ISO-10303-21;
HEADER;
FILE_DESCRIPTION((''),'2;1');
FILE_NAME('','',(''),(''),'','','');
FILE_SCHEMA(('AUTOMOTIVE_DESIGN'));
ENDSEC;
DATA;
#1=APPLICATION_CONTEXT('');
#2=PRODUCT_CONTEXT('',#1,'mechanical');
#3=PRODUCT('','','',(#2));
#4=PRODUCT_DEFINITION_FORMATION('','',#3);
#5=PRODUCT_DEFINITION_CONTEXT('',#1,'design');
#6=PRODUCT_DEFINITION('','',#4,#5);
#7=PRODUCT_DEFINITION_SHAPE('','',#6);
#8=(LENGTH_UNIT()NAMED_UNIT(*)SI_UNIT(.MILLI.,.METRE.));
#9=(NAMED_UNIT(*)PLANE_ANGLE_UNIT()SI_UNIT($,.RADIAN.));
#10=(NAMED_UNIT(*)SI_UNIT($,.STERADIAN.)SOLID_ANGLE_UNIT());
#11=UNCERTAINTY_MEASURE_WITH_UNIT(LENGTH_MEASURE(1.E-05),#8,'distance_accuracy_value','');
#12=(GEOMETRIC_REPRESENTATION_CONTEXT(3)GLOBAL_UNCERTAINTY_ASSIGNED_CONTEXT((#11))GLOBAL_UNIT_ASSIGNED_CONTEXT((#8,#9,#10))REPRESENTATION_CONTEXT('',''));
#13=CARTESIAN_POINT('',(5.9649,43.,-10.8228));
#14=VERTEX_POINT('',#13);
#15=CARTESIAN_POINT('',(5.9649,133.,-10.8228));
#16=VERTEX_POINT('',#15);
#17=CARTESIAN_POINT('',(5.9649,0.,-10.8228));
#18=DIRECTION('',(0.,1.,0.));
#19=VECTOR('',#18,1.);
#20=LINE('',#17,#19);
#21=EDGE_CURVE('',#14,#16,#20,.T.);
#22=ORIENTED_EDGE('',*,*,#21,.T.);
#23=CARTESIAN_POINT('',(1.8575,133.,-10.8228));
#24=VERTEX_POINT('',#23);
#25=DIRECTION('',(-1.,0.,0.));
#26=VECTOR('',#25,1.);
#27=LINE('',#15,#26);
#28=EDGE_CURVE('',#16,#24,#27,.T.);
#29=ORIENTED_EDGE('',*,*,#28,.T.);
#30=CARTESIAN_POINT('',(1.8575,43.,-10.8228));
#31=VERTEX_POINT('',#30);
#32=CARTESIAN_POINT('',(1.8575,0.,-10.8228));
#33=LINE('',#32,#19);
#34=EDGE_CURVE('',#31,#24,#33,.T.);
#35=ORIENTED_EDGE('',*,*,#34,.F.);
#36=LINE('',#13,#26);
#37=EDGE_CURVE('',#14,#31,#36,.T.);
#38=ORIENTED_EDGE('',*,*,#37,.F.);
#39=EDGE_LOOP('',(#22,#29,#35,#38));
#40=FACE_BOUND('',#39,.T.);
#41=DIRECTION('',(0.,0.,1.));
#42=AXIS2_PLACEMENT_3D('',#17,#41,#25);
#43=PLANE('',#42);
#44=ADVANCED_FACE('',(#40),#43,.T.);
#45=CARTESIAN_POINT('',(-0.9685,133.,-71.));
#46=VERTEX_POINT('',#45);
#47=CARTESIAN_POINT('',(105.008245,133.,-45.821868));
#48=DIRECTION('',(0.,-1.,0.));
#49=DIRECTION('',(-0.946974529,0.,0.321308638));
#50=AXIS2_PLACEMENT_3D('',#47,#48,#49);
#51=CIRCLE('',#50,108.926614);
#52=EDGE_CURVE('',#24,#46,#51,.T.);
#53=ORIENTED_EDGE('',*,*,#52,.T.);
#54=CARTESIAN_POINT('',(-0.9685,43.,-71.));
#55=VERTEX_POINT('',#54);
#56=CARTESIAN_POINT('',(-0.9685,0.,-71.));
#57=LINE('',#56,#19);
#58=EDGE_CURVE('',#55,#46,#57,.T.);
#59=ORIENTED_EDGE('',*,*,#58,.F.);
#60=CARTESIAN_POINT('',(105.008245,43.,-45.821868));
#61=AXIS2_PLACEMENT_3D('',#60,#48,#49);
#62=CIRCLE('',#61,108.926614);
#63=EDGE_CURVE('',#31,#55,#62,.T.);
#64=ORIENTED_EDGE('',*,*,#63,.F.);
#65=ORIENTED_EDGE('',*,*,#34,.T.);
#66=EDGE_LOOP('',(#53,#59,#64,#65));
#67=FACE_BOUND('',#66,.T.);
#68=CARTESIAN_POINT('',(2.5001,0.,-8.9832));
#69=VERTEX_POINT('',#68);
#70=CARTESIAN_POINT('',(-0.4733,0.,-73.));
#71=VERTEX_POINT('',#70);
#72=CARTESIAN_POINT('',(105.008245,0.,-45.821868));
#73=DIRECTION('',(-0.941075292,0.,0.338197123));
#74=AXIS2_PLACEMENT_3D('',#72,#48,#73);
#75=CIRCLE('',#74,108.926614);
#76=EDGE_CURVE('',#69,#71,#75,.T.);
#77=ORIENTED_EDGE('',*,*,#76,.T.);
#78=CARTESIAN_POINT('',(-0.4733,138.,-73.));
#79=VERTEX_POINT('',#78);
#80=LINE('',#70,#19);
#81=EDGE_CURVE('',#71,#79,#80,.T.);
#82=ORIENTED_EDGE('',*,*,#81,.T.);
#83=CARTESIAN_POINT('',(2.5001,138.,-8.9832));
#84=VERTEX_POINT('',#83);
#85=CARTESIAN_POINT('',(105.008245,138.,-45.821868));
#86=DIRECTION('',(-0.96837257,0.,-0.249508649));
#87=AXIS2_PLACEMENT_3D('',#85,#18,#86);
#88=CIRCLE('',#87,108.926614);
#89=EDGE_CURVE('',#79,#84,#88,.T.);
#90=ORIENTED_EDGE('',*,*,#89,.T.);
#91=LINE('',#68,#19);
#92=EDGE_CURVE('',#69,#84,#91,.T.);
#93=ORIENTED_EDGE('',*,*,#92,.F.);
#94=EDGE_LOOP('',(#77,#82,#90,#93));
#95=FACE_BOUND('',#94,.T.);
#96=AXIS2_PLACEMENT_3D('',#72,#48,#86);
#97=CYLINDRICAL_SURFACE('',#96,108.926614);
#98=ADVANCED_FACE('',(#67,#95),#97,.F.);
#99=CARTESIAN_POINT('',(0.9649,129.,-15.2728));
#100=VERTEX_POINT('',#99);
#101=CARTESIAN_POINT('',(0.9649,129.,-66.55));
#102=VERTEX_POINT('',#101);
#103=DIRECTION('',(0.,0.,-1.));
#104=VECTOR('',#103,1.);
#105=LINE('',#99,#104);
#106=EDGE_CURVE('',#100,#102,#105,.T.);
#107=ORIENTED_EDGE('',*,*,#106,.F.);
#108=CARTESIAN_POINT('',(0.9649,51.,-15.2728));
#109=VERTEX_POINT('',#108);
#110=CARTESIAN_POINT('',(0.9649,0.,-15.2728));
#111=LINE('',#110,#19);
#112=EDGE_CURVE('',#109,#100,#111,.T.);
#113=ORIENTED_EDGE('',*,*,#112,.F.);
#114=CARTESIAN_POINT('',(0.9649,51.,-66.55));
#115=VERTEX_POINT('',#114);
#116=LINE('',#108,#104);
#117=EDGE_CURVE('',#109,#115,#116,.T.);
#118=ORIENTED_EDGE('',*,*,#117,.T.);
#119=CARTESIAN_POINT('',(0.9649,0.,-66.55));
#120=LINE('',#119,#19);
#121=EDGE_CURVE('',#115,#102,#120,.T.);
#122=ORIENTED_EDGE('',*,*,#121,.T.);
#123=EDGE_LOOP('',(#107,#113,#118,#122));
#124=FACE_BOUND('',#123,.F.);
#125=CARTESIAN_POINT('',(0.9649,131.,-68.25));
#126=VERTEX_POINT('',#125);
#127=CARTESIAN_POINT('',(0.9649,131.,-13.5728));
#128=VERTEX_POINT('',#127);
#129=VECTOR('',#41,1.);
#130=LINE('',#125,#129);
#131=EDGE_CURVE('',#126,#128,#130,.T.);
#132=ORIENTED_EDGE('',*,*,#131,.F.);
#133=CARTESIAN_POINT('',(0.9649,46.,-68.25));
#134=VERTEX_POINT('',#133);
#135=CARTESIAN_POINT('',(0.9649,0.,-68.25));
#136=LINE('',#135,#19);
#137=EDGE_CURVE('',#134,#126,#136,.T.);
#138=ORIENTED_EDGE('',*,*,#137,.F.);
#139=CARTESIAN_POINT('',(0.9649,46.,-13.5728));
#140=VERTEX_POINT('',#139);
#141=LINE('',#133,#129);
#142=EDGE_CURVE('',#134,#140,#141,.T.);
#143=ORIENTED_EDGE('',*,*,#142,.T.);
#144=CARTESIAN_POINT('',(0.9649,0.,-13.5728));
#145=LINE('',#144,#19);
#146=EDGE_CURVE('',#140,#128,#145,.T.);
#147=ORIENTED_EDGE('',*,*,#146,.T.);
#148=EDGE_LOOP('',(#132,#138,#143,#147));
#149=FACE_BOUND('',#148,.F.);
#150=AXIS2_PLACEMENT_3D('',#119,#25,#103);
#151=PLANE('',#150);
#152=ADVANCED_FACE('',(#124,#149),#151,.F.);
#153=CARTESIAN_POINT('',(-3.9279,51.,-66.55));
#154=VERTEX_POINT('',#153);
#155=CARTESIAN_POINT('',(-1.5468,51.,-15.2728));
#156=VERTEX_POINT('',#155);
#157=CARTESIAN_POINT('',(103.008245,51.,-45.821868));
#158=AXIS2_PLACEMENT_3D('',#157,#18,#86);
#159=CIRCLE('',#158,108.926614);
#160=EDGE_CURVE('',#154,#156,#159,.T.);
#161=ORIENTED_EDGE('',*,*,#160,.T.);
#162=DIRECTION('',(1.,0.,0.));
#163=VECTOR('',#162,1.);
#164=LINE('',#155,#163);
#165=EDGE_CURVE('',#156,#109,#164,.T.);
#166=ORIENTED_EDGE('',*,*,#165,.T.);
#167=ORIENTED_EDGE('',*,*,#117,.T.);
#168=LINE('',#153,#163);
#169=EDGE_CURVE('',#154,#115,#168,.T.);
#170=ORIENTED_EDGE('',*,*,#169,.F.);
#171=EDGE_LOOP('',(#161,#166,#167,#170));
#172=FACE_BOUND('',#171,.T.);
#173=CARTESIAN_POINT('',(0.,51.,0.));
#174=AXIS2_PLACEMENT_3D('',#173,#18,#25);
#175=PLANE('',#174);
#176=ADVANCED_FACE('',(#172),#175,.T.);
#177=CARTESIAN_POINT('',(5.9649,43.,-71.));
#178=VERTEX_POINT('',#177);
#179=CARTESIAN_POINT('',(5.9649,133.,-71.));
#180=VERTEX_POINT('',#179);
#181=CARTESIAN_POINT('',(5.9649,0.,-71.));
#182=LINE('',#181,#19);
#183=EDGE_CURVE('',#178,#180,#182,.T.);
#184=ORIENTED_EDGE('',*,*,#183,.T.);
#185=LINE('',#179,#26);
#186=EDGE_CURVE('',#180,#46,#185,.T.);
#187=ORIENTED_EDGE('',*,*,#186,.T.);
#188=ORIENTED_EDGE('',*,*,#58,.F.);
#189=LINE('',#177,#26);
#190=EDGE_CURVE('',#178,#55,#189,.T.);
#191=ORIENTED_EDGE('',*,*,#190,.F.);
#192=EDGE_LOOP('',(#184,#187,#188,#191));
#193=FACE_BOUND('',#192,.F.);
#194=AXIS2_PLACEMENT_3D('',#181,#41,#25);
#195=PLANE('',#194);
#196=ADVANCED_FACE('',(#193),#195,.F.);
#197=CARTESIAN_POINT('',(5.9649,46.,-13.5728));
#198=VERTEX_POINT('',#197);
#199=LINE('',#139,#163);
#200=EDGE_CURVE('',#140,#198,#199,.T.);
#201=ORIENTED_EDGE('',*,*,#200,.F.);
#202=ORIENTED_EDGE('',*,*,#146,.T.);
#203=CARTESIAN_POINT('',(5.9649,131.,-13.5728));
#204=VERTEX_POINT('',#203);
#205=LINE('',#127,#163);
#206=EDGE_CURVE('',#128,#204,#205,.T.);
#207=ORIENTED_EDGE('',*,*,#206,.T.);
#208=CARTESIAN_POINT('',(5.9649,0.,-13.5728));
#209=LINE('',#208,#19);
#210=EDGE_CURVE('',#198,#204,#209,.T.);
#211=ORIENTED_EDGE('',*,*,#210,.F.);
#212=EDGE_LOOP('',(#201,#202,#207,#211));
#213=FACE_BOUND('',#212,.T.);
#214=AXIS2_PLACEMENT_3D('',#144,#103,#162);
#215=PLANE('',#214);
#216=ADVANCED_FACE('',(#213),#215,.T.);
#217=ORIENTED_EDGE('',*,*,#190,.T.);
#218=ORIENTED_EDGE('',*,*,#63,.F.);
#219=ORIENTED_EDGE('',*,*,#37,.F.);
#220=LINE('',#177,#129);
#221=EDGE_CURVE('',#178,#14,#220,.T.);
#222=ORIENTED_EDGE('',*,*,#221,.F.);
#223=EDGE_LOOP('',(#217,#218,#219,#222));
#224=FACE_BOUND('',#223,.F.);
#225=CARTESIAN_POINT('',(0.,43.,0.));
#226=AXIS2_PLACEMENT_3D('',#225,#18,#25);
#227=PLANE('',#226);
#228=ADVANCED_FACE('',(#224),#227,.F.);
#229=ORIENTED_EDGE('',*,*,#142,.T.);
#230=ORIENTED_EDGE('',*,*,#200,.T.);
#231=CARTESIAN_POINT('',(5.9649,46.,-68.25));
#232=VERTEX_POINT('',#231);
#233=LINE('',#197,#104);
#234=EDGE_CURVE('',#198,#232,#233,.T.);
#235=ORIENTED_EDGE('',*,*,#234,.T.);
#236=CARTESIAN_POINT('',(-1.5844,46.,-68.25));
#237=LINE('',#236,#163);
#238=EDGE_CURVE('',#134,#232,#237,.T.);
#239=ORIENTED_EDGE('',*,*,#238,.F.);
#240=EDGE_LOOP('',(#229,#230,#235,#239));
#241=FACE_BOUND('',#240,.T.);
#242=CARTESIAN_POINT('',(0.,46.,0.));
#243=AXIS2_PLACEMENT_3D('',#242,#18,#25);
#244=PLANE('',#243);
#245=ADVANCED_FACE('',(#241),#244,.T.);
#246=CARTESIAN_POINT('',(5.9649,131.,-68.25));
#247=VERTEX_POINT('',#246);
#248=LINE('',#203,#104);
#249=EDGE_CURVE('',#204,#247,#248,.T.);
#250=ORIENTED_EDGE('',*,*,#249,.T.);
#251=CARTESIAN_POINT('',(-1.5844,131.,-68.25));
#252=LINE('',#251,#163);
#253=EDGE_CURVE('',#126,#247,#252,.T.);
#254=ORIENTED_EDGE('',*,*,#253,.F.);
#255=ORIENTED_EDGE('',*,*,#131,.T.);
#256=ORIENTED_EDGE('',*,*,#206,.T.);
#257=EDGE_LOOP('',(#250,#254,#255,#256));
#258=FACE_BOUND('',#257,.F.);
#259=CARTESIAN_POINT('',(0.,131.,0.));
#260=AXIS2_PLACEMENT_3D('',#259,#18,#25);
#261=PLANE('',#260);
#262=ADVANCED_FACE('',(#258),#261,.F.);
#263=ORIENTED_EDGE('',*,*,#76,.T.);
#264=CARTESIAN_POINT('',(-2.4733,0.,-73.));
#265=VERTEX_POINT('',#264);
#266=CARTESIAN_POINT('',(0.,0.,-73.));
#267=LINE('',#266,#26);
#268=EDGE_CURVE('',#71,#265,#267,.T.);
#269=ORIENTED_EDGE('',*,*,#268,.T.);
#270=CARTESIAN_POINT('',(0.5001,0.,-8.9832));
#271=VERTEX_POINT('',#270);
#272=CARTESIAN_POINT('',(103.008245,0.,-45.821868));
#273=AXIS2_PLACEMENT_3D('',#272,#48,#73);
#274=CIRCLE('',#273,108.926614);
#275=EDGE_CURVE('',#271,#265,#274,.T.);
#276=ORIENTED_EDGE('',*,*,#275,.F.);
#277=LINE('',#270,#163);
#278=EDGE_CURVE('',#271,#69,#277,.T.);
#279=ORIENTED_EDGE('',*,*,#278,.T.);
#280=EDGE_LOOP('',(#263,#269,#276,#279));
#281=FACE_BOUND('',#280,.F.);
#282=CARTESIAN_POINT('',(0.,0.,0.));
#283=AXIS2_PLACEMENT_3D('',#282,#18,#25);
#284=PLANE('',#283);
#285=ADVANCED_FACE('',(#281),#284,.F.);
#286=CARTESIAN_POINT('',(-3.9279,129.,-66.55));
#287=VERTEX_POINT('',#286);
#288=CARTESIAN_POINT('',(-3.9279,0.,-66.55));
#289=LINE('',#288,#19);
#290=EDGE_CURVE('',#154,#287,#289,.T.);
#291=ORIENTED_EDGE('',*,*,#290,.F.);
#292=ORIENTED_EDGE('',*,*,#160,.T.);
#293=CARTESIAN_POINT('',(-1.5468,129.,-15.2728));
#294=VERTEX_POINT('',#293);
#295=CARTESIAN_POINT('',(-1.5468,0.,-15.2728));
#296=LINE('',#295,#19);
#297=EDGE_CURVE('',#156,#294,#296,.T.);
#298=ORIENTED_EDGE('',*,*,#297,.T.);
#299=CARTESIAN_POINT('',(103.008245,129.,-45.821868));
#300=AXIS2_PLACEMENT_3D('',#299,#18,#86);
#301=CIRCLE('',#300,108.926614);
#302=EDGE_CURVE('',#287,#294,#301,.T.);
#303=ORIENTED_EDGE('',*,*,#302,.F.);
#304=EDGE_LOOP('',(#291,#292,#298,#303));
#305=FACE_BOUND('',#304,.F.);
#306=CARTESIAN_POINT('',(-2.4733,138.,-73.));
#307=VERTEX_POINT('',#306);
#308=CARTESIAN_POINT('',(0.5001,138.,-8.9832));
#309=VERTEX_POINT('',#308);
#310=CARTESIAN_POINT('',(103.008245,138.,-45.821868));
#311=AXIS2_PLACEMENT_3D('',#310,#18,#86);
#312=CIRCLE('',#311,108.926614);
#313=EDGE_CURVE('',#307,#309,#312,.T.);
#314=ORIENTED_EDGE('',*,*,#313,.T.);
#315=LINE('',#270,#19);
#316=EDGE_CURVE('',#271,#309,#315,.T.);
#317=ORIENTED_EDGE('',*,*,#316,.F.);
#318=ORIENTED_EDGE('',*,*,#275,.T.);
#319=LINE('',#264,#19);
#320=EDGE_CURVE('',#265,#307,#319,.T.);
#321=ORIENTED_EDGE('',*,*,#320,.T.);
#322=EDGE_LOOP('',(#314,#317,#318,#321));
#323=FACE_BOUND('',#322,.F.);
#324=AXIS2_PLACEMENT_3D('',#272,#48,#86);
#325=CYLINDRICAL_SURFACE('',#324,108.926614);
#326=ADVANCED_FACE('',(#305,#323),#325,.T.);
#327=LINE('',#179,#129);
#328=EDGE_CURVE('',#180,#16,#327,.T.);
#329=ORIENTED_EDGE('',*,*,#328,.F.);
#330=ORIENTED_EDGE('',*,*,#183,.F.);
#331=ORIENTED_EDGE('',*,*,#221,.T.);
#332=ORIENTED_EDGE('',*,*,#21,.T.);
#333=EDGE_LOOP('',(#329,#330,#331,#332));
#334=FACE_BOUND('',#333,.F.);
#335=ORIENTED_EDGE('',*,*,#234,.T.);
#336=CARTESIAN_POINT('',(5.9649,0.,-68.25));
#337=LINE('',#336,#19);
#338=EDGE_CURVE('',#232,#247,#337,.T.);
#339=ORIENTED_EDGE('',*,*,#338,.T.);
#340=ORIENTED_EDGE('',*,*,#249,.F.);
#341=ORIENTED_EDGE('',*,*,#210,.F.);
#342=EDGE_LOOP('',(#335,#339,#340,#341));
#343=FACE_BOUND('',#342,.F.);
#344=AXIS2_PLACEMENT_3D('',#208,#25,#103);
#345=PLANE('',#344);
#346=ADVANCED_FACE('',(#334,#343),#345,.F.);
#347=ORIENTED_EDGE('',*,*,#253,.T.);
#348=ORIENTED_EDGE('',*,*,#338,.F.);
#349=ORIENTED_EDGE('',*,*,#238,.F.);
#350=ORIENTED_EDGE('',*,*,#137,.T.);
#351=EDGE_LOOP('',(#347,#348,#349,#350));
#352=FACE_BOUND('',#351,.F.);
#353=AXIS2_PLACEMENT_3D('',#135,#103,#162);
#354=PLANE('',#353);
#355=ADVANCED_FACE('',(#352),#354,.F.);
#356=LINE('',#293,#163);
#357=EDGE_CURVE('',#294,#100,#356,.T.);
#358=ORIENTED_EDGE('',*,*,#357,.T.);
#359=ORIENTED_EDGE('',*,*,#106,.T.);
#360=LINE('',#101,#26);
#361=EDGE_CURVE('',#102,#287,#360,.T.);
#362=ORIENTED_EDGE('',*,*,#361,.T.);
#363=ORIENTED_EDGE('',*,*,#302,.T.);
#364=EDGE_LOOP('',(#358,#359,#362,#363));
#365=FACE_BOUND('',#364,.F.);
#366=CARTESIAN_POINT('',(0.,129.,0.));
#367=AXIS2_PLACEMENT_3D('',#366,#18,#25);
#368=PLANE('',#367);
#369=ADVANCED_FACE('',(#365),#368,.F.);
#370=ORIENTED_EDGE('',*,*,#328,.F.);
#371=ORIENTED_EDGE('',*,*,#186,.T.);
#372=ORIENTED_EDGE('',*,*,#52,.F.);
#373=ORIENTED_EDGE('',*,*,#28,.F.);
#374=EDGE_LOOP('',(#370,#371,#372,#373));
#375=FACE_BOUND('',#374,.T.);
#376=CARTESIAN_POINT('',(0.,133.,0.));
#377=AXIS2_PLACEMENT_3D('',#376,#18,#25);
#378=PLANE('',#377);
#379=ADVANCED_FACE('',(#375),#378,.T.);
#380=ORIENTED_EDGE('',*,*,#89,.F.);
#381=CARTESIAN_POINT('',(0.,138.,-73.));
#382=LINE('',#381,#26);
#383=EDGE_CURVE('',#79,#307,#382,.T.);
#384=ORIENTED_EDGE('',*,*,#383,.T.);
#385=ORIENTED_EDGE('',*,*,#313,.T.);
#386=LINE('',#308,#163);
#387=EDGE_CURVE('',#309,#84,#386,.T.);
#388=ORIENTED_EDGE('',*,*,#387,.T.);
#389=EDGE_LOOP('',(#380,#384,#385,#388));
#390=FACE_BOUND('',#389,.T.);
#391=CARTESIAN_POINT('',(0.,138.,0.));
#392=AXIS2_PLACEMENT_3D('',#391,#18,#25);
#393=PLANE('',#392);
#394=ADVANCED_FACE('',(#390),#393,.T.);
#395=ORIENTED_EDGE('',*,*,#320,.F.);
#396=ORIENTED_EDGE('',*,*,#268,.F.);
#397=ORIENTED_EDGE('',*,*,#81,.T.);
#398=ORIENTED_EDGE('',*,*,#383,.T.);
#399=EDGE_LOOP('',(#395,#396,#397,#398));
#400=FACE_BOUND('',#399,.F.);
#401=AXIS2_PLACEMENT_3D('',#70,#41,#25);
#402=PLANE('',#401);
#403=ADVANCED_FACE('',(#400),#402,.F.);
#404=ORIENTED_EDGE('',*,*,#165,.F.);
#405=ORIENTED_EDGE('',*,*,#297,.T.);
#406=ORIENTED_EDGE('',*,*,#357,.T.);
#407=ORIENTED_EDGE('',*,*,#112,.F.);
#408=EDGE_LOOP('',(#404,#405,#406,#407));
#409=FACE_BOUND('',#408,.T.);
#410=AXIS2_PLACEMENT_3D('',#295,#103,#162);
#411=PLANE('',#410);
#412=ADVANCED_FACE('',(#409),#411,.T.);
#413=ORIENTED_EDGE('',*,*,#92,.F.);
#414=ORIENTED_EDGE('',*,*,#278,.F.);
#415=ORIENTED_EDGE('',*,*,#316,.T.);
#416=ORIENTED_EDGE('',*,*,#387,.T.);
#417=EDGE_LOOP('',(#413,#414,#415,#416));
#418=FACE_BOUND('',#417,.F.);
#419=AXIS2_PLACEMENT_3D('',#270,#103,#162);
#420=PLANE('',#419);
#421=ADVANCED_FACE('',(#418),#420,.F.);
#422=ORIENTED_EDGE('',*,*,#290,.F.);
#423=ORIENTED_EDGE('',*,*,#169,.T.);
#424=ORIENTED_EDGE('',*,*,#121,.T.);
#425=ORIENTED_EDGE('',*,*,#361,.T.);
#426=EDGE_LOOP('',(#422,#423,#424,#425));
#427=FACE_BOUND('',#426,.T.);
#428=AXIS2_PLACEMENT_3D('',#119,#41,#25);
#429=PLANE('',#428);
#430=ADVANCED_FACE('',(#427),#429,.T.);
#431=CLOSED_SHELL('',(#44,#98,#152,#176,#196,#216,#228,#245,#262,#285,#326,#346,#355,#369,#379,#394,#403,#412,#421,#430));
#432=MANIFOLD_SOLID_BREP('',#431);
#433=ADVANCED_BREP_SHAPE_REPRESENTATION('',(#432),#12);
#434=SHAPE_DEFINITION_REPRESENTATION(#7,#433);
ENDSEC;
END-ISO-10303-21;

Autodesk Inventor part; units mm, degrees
ref_plane "YZ Plane" through (0, 0, 0) normal (1, 0, 0) x (0, 1, 0)
ref_plane "XZ Plane" through (0, 0, 0) normal (0, 1, 0) x (-1, 0, 0)
ref_plane "XY Plane" through (0, 0, 0) normal (0, 0, 1) x (1, 0, 0)
sketch "Sketch1" plane through (0, 0, 0) normal (0, 1, 0) x (-1, 0, 0)
  line L0 (0, 0) -> (2, 0) construction
  line L1 (0, -75) -> (2, -75) construction
  line L2 (0, -73) -> (2.4733, -73)
  line L3 (1.3383, -13) -> (1.3383, -5.3327) construction
  line L4 (6.5938, -37.5) -> (0, -37.5) construction
  line L5 (2.0086, -8.9832) -> (-0.0001, -8.9832) construction
  arc A0 (0.4733, -73) -> (-2.5001, -8.9832) centre (-105.0089, -45.8218) ccw
  arc A1 (2.4733, -73) -> (-0.5001, -8.9832) centre (-103.0089, -45.8218) ccw
  line L6 (-0.5001, -8.9832) -> (-2.5001, -8.9832)
  line L7 (-0.9649, -13.5728) -> (-5.9649, -13.5728)
  line L8 (-5.9649, -13.5728) -> (-5.9649, -10.8228)
  line L9 (-5.9649, -10.8228) -> (-1.8575, -10.8228)
  line L10 (-3.6617, -68.25) -> (-8.7098, -68.25) construction
  line L11 (1.5844, -68.25) -> (-5.9649, -68.25)
  line L12 (-5.9649, -68.25) -> (-5.9649, -71)
  line L13 (-5.9649, -71) -> (0.9685, -71)
  line L14 (-5.9649, -13.5728) -> (-5.9649, -68.25)
  line L15 (-0.9649, -13.5728) -> (-0.9649, -15.2728)
  line L16 (-0.9649, -66.55) -> (1.9279, -66.55)
  line L17 (3.9279, -66.55) -> (1.9279, -66.55)
  line L18 (-0.9649, -15.2728) -> (-0.4532, -15.2728)
  line L19 (1.5468, -15.2728) -> (-0.4532, -15.2728)
  line L20 (-0.9649, -15.2728) -> (-0.9649, -66.55)
  line L21 (-0.9649, -66.55) -> (-0.9649, -68.25)
  point P0 (0.0167, -6.9833)
  point P1 (2, 0)
  point P2 (4.5938, -37.5)
  point P3 (0, -41)
  point P4 (0, -15)
  point P5 (0, -67.5)
  point P6 (0, -69)
  point P7 (0, -13)
  point P8 (3.8363, -67.0175)
  point P9 (-3.6617, -13.5728)
  point P10 (0.9193, -71)
  point P11 (1.5637, -68.25)
  point P12 (2.3337, -10.8228)
  point P13 (-3.6617, -10.8228)
  point P14 (1.3383, -13.5728)
  point P15 (3.6, -37.5)
  point P16 (5.6, -37.5)
  point P17 (-0.5333, -15)
  point P18 (1.4667, -15)
  dimension "d1" = 2
  dimension "d3" = 2
  dimension "d4" = 2
  dimension "d5" = 2
  dimension "d6" = 32
  dimension "d8" = 3.6
  dimension "d9" = 2
  dimension "d10" = 2.5
  dimension "d11" = 2
  dimension "d12" = 5
  dimension "d29" = 1.7
extrude "Extrusion12" add sketch "Sketch1" along normal blind 138 contours A0 L17 A1 L2 | L17 A0 L19 A1 | L19 A0 L6 A1
extrude "Extrusion13" add sketch "Sketch1" along normal blind 133 contours L13 L12 L11 A0 | L11 L21 L16 A0 | L16 L20 L18 A0 | L11 L14 L7 L15 L20 L21 | L18 L15 A0 | L8 L9 A0 L7
extrude "Extrusion14" cut sketch "Sketch1" along normal blind 129 contours L17 A0 L19 A1
extrude "Extrusion15" cut sketch "Sketch1" along normal blind 131 contours L11 L14 L7 L15 L20 L21
extrude "Extrusion16" cut sketch "Sketch1" along normal blind 129 contours L16 L20 L18 A0
extrude "Extrusion17" add sketch "Sketch1" along normal blind 51 contours L17 A0 L19 A1 | L16 L20 L18 A0
extrude "Extrusion18" add sketch "Sketch1" along normal blind 46 contours L11 L14 L7 L15 L20 L21
extrude "Extrusion20" cut sketch "Sketch1" along normal blind 43 contours L13 L12 L11 A0 | L11 L21 L16 A0 | L16 L20 L18 A0 | L11 L14 L7 L15 L20 L21 | L18 L15 A0 | L8 L9 A0 L7
properties part number "face_v3"
